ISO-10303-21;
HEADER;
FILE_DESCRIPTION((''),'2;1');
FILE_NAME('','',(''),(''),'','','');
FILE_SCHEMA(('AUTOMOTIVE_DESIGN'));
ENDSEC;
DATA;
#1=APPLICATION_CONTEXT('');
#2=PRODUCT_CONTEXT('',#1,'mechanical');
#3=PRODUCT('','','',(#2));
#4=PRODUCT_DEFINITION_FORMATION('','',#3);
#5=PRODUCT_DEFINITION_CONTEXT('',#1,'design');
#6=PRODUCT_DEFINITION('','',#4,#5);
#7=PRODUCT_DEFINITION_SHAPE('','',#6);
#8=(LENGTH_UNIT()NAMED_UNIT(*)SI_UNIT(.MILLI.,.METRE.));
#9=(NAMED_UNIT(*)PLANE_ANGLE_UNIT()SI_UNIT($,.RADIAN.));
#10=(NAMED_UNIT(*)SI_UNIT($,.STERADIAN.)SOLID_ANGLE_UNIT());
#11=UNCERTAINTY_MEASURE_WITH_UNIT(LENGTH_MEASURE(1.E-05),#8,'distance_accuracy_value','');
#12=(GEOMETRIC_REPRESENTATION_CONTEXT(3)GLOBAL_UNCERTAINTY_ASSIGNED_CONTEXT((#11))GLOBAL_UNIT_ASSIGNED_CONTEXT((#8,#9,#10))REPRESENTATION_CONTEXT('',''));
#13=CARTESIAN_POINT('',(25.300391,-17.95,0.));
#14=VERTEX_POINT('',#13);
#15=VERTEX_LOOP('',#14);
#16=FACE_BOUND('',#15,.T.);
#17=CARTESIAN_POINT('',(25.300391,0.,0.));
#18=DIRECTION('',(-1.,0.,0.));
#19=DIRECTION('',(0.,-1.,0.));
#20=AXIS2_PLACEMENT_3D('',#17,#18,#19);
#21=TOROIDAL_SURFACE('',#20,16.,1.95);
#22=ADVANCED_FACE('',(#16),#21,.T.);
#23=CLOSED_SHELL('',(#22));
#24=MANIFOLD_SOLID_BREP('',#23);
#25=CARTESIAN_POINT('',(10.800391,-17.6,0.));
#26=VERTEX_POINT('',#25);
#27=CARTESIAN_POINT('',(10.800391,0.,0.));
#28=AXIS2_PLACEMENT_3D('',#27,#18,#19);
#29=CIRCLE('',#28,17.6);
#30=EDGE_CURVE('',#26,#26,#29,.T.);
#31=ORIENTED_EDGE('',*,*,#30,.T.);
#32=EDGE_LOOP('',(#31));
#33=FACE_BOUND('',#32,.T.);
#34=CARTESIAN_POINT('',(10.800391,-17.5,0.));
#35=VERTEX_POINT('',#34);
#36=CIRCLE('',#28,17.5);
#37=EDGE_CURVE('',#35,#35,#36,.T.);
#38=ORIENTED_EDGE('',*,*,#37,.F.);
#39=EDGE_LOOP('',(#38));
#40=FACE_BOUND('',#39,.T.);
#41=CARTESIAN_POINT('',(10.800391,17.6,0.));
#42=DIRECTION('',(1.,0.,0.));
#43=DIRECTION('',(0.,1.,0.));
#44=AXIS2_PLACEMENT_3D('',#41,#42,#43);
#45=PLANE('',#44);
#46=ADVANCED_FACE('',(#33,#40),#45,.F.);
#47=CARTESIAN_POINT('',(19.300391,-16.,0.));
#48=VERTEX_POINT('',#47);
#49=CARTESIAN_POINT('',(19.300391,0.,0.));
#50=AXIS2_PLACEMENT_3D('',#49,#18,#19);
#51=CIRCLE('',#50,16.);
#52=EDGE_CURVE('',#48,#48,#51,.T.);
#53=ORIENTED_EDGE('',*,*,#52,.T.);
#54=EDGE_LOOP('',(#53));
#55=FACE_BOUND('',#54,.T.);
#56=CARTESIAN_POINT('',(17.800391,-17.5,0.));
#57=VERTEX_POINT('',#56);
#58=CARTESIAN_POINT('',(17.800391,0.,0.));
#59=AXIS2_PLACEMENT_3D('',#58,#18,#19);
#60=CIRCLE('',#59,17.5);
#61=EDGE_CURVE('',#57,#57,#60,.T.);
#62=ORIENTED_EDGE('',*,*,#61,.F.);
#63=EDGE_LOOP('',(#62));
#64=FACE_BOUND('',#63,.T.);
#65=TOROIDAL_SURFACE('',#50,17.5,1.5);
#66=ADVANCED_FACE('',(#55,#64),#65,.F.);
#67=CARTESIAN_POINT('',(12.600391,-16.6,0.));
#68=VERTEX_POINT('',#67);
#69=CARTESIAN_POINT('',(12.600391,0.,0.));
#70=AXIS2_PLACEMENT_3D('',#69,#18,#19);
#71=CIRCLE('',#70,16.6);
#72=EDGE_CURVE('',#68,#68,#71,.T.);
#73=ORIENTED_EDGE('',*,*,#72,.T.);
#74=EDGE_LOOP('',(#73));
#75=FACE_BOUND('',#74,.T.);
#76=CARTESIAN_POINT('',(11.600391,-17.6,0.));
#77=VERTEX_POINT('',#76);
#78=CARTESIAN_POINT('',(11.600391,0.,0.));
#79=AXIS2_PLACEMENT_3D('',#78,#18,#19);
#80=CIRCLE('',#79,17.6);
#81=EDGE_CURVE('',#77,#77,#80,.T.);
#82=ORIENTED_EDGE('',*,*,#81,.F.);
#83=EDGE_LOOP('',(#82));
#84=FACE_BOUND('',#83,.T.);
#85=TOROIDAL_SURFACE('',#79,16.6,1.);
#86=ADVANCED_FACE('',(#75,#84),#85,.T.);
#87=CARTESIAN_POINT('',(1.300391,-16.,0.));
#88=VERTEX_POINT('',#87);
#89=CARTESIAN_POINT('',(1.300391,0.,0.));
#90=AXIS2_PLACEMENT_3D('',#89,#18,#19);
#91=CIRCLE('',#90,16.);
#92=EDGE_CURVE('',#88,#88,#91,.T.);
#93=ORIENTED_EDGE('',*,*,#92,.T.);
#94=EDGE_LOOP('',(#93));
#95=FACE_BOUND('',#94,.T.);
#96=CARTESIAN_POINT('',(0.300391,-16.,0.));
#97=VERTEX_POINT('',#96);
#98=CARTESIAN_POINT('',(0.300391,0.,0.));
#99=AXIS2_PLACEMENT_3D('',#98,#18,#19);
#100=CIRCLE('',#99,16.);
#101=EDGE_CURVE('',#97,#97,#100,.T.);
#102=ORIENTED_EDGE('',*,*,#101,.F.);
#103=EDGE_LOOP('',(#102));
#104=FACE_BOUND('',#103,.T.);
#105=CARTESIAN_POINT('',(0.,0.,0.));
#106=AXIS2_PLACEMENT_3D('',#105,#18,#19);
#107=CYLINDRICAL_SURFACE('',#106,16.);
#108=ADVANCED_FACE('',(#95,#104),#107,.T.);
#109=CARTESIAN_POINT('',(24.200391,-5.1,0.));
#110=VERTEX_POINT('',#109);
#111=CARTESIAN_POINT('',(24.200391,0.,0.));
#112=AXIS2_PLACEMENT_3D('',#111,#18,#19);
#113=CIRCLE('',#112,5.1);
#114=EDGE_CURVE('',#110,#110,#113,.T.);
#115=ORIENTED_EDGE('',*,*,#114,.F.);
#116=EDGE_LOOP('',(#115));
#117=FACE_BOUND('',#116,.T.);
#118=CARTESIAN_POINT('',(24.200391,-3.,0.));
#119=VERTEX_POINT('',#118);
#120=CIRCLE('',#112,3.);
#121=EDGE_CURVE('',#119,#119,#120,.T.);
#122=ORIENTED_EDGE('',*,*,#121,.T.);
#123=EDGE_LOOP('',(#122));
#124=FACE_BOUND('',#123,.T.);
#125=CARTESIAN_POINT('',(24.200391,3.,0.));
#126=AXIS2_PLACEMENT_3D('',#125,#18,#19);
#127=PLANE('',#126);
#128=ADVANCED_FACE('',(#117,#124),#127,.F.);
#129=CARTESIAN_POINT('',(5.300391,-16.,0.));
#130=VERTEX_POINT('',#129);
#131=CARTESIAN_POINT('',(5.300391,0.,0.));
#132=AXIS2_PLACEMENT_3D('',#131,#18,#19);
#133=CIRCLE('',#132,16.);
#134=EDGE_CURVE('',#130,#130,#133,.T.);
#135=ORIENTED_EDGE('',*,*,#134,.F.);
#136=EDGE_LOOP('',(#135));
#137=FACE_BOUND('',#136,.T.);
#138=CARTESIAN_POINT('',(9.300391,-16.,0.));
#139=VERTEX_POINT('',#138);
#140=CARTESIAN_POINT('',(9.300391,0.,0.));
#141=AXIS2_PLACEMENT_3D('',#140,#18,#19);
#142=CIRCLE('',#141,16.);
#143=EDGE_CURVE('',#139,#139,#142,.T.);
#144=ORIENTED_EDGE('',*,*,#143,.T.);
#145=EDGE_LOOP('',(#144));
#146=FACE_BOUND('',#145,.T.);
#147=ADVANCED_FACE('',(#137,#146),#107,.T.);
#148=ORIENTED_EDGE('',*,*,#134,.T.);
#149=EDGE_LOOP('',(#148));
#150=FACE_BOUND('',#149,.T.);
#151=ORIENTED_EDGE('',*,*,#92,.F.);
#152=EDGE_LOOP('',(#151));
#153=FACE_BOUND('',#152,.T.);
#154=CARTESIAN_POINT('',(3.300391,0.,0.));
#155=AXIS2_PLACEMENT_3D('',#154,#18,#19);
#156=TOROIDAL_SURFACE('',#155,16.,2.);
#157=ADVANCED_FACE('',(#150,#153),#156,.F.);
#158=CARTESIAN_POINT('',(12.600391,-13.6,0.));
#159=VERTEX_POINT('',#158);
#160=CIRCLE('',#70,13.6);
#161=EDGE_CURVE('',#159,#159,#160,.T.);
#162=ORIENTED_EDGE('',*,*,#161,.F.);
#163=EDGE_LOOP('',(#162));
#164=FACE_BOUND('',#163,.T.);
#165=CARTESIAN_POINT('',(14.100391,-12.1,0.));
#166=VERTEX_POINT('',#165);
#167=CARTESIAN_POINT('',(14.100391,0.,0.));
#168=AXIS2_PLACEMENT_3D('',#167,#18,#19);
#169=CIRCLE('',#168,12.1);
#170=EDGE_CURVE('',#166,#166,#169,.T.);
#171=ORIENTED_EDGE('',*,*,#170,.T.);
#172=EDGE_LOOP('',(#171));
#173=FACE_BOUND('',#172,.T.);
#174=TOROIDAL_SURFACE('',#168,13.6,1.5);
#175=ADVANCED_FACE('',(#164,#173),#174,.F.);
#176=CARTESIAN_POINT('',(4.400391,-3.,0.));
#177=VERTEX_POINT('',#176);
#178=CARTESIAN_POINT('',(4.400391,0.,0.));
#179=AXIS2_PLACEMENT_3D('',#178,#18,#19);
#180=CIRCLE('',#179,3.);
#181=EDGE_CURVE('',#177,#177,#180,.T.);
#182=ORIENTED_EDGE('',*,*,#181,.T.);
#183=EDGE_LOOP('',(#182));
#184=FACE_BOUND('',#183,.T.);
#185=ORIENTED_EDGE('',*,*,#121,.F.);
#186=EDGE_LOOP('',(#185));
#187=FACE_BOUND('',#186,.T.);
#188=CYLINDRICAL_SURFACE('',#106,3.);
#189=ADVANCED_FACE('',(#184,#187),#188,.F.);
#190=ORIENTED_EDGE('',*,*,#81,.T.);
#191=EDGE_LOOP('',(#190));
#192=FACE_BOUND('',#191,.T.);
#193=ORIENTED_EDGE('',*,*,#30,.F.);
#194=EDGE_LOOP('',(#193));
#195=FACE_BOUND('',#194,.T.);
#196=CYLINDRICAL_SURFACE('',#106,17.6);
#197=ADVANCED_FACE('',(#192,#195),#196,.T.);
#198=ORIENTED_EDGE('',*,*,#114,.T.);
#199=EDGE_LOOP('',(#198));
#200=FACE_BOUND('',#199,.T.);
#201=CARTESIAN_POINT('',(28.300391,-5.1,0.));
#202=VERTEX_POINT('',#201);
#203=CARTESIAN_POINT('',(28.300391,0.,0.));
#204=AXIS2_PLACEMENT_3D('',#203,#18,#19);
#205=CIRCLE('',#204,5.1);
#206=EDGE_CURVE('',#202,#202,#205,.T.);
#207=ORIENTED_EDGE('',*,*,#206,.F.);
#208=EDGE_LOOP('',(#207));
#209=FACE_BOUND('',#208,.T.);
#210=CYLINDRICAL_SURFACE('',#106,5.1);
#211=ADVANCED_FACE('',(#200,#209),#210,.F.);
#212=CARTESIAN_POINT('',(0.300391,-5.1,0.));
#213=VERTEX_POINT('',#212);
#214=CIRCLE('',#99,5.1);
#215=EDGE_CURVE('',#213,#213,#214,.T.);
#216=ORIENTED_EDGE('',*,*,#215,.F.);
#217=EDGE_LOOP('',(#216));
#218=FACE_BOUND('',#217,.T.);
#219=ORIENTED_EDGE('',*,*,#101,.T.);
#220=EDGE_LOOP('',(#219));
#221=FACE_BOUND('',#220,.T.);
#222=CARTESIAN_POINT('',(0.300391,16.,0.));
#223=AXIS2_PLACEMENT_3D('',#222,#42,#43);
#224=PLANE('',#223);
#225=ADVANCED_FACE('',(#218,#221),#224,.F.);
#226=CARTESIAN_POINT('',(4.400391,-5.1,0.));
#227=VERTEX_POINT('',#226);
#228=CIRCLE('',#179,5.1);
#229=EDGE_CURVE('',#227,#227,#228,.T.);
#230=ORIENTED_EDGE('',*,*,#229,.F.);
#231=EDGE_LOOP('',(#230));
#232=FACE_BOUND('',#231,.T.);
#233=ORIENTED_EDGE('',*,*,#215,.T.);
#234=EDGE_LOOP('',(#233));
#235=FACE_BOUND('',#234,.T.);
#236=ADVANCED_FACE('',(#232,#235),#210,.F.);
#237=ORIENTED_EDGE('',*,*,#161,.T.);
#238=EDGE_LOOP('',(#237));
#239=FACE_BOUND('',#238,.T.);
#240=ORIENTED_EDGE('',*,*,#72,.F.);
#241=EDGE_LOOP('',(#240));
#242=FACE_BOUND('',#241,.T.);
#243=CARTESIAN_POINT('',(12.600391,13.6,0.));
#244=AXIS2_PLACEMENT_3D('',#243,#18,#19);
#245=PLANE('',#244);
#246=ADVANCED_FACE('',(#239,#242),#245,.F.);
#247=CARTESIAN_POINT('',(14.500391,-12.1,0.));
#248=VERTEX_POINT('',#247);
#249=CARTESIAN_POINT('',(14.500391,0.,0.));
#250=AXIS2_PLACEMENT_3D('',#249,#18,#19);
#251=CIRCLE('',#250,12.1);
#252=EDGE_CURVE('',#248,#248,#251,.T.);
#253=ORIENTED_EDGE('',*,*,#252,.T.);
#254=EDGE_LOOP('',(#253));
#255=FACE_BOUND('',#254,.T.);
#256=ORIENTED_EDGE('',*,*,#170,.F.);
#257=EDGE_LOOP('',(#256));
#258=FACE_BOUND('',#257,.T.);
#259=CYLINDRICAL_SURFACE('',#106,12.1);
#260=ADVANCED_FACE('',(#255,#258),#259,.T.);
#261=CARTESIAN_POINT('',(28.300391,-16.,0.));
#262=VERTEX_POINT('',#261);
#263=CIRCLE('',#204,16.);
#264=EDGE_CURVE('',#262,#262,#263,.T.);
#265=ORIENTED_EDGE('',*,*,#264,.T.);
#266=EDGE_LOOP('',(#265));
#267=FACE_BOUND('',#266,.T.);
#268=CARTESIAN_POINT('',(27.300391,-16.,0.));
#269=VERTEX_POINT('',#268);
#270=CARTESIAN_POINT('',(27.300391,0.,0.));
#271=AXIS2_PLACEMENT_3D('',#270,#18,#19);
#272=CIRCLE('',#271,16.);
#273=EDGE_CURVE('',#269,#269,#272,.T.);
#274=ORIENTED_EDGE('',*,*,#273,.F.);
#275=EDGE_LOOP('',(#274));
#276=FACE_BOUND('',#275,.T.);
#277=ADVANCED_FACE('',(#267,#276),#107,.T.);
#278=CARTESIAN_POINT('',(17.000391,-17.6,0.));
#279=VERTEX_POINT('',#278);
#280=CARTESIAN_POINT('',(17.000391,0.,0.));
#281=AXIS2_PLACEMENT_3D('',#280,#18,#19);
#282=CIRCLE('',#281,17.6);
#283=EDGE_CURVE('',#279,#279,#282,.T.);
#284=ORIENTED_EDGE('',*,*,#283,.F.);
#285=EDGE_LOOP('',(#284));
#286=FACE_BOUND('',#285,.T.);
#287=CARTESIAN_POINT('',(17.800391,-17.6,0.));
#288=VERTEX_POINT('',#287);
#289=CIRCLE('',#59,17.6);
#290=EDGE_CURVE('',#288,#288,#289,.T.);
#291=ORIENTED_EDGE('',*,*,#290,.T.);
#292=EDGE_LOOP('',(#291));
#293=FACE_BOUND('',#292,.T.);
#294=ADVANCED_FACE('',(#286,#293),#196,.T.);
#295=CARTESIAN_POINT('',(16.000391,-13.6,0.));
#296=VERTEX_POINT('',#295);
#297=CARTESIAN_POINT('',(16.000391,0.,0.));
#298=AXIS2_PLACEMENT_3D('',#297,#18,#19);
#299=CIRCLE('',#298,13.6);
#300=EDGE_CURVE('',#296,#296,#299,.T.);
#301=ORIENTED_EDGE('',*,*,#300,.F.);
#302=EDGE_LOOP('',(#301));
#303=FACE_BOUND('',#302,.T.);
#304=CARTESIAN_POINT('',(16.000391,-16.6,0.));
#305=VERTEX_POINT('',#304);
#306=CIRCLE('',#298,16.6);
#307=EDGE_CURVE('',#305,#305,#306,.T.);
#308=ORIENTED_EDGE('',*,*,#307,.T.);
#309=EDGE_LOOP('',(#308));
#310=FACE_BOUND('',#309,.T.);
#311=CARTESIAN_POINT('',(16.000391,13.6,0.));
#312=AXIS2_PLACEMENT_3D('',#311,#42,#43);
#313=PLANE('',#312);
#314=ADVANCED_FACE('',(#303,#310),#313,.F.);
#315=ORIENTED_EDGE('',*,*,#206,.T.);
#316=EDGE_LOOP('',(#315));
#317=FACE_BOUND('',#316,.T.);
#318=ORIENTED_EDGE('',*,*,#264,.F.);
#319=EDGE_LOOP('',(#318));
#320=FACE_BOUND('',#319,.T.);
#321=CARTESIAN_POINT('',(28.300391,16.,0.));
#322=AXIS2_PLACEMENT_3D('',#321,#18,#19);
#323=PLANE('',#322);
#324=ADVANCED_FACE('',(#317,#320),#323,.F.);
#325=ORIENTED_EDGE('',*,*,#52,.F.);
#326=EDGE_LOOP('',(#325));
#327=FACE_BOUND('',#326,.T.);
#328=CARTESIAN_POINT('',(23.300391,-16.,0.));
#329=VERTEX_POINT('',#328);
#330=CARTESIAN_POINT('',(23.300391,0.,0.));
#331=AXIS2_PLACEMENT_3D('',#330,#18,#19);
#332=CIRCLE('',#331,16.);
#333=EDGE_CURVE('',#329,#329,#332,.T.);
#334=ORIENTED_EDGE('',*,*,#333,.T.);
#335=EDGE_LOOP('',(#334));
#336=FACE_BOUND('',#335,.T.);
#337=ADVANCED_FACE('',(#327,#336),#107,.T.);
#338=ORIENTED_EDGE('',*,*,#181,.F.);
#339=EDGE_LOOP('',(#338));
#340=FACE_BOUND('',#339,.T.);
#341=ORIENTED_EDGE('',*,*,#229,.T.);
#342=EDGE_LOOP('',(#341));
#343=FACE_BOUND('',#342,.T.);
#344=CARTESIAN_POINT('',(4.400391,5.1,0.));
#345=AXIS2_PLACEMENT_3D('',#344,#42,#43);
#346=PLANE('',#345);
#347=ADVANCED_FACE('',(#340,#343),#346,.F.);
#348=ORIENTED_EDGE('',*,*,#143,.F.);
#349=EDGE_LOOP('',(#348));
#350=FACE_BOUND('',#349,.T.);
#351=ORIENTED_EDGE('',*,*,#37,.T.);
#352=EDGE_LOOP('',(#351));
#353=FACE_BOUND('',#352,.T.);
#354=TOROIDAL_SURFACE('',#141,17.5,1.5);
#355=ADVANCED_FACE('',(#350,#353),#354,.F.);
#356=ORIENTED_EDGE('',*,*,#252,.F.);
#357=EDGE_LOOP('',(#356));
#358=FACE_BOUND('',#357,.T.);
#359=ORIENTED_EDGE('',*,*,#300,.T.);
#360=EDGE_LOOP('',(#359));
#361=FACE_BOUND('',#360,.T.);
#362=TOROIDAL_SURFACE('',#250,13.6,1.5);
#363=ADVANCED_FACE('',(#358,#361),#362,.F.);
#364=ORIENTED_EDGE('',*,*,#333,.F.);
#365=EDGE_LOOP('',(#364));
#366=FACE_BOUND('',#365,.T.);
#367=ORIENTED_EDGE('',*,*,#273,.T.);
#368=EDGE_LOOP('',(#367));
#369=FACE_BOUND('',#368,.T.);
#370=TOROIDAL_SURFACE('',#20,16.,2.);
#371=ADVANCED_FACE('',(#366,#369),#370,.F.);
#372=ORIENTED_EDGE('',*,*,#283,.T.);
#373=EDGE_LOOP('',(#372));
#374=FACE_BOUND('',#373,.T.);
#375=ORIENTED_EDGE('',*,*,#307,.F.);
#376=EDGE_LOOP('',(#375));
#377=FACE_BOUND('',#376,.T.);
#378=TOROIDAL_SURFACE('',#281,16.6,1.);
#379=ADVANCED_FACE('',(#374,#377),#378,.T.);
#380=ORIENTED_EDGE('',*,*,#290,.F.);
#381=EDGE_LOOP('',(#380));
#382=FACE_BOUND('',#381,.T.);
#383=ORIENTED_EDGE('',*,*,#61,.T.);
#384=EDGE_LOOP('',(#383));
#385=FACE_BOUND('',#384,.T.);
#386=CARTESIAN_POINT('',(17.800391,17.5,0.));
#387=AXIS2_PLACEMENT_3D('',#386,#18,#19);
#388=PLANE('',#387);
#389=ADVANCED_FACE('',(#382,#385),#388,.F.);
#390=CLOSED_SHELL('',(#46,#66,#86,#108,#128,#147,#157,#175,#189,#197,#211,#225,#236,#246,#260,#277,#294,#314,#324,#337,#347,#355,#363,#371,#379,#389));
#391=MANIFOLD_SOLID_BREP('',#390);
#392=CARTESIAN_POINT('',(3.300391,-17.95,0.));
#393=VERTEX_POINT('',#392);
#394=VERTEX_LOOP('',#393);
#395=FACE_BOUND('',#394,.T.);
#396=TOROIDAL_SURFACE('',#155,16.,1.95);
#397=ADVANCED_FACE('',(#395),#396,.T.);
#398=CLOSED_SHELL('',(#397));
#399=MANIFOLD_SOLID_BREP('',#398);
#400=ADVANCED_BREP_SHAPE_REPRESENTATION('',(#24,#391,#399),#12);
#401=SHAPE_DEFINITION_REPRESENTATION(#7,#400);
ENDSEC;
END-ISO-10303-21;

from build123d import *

# Parameters (mm, degrees)
SKETCH_1_R = 1.95


with BuildPart() as part:
    # 草图1 → 旋转1 (revolve)
    with BuildSketch(Plane.XY):
        with Locations((3.300391272, 16)):
            Circle(SKETCH_1_R)
        with Locations((25.300391272, 16)):
            Circle(SKETCH_1_R)
        with BuildLine():
            Line((17.800391272, 17.5), (17.800391272, 17.6))
            Line((17.800391272, 17.6), (17.000391272, 17.6))
            ThreePointArc((17.000391272, 17.6), (16.293284491, 17.307106781), (16.000391272, 16.6))
            Line((16.000391272, 16.6), (16.000391272, 13.6))
            ThreePointArc((16.000391272, 13.6), (15.561051444, 12.539339828), (14.500391272, 12.1))
            Line((14.500391272, 12.1), (14.100391272, 12.1))
            ThreePointArc((14.100391272, 12.1), (13.0397311, 12.539339828), (12.600391272, 13.6))
            Line((12.600391272, 13.6), (12.600391272, 16.6))
            ThreePointArc((12.600391272, 16.6), (12.307498053, 17.307106781), (11.600391272, 17.6))
            Line((11.600391272, 17.6), (10.800391272, 17.6))
            Line((10.800391272, 17.6), (10.800391272, 17.5))
            ThreePointArc((10.800391272, 17.5), (10.361051444, 16.439339828), (9.300391272, 16))
            Line((9.300391272, 16), (5.300391272, 16))
            ThreePointArc((5.300391272, 16), (3.300391272, 14), (1.300391272, 16))
            Line((1.300391272, 16), (0.300391272, 16))
            Line((0.300391272, 16), (0.300391272, 5.1))
            Line((0.300391272, 5.1), (4.400391272, 5.1))
            Line((4.400391272, 5.1), (4.400391272, 3))
            Line((4.400391272, 3), (24.200391272, 3))
            Line((24.200391272, 3), (24.200391272, 5.1))
            Line((24.200391272, 5.1), (28.300391272, 5.1))
            Line((28.300391272, 5.1), (28.300391272, 16))
            Line((28.300391272, 16), (27.300391272, 16))
            ThreePointArc((27.300391272, 16), (25.300391272, 14), (23.300391272, 16))
            Line((23.300391272, 16), (19.300391272, 16))
            ThreePointArc((19.300391272, 16), (18.2397311, 16.439339828), (17.800391272, 17.5))
        make_face()
    revolve(axis=Axis((0, 0, 0), (1, 0, 0)))


solid = part.part
